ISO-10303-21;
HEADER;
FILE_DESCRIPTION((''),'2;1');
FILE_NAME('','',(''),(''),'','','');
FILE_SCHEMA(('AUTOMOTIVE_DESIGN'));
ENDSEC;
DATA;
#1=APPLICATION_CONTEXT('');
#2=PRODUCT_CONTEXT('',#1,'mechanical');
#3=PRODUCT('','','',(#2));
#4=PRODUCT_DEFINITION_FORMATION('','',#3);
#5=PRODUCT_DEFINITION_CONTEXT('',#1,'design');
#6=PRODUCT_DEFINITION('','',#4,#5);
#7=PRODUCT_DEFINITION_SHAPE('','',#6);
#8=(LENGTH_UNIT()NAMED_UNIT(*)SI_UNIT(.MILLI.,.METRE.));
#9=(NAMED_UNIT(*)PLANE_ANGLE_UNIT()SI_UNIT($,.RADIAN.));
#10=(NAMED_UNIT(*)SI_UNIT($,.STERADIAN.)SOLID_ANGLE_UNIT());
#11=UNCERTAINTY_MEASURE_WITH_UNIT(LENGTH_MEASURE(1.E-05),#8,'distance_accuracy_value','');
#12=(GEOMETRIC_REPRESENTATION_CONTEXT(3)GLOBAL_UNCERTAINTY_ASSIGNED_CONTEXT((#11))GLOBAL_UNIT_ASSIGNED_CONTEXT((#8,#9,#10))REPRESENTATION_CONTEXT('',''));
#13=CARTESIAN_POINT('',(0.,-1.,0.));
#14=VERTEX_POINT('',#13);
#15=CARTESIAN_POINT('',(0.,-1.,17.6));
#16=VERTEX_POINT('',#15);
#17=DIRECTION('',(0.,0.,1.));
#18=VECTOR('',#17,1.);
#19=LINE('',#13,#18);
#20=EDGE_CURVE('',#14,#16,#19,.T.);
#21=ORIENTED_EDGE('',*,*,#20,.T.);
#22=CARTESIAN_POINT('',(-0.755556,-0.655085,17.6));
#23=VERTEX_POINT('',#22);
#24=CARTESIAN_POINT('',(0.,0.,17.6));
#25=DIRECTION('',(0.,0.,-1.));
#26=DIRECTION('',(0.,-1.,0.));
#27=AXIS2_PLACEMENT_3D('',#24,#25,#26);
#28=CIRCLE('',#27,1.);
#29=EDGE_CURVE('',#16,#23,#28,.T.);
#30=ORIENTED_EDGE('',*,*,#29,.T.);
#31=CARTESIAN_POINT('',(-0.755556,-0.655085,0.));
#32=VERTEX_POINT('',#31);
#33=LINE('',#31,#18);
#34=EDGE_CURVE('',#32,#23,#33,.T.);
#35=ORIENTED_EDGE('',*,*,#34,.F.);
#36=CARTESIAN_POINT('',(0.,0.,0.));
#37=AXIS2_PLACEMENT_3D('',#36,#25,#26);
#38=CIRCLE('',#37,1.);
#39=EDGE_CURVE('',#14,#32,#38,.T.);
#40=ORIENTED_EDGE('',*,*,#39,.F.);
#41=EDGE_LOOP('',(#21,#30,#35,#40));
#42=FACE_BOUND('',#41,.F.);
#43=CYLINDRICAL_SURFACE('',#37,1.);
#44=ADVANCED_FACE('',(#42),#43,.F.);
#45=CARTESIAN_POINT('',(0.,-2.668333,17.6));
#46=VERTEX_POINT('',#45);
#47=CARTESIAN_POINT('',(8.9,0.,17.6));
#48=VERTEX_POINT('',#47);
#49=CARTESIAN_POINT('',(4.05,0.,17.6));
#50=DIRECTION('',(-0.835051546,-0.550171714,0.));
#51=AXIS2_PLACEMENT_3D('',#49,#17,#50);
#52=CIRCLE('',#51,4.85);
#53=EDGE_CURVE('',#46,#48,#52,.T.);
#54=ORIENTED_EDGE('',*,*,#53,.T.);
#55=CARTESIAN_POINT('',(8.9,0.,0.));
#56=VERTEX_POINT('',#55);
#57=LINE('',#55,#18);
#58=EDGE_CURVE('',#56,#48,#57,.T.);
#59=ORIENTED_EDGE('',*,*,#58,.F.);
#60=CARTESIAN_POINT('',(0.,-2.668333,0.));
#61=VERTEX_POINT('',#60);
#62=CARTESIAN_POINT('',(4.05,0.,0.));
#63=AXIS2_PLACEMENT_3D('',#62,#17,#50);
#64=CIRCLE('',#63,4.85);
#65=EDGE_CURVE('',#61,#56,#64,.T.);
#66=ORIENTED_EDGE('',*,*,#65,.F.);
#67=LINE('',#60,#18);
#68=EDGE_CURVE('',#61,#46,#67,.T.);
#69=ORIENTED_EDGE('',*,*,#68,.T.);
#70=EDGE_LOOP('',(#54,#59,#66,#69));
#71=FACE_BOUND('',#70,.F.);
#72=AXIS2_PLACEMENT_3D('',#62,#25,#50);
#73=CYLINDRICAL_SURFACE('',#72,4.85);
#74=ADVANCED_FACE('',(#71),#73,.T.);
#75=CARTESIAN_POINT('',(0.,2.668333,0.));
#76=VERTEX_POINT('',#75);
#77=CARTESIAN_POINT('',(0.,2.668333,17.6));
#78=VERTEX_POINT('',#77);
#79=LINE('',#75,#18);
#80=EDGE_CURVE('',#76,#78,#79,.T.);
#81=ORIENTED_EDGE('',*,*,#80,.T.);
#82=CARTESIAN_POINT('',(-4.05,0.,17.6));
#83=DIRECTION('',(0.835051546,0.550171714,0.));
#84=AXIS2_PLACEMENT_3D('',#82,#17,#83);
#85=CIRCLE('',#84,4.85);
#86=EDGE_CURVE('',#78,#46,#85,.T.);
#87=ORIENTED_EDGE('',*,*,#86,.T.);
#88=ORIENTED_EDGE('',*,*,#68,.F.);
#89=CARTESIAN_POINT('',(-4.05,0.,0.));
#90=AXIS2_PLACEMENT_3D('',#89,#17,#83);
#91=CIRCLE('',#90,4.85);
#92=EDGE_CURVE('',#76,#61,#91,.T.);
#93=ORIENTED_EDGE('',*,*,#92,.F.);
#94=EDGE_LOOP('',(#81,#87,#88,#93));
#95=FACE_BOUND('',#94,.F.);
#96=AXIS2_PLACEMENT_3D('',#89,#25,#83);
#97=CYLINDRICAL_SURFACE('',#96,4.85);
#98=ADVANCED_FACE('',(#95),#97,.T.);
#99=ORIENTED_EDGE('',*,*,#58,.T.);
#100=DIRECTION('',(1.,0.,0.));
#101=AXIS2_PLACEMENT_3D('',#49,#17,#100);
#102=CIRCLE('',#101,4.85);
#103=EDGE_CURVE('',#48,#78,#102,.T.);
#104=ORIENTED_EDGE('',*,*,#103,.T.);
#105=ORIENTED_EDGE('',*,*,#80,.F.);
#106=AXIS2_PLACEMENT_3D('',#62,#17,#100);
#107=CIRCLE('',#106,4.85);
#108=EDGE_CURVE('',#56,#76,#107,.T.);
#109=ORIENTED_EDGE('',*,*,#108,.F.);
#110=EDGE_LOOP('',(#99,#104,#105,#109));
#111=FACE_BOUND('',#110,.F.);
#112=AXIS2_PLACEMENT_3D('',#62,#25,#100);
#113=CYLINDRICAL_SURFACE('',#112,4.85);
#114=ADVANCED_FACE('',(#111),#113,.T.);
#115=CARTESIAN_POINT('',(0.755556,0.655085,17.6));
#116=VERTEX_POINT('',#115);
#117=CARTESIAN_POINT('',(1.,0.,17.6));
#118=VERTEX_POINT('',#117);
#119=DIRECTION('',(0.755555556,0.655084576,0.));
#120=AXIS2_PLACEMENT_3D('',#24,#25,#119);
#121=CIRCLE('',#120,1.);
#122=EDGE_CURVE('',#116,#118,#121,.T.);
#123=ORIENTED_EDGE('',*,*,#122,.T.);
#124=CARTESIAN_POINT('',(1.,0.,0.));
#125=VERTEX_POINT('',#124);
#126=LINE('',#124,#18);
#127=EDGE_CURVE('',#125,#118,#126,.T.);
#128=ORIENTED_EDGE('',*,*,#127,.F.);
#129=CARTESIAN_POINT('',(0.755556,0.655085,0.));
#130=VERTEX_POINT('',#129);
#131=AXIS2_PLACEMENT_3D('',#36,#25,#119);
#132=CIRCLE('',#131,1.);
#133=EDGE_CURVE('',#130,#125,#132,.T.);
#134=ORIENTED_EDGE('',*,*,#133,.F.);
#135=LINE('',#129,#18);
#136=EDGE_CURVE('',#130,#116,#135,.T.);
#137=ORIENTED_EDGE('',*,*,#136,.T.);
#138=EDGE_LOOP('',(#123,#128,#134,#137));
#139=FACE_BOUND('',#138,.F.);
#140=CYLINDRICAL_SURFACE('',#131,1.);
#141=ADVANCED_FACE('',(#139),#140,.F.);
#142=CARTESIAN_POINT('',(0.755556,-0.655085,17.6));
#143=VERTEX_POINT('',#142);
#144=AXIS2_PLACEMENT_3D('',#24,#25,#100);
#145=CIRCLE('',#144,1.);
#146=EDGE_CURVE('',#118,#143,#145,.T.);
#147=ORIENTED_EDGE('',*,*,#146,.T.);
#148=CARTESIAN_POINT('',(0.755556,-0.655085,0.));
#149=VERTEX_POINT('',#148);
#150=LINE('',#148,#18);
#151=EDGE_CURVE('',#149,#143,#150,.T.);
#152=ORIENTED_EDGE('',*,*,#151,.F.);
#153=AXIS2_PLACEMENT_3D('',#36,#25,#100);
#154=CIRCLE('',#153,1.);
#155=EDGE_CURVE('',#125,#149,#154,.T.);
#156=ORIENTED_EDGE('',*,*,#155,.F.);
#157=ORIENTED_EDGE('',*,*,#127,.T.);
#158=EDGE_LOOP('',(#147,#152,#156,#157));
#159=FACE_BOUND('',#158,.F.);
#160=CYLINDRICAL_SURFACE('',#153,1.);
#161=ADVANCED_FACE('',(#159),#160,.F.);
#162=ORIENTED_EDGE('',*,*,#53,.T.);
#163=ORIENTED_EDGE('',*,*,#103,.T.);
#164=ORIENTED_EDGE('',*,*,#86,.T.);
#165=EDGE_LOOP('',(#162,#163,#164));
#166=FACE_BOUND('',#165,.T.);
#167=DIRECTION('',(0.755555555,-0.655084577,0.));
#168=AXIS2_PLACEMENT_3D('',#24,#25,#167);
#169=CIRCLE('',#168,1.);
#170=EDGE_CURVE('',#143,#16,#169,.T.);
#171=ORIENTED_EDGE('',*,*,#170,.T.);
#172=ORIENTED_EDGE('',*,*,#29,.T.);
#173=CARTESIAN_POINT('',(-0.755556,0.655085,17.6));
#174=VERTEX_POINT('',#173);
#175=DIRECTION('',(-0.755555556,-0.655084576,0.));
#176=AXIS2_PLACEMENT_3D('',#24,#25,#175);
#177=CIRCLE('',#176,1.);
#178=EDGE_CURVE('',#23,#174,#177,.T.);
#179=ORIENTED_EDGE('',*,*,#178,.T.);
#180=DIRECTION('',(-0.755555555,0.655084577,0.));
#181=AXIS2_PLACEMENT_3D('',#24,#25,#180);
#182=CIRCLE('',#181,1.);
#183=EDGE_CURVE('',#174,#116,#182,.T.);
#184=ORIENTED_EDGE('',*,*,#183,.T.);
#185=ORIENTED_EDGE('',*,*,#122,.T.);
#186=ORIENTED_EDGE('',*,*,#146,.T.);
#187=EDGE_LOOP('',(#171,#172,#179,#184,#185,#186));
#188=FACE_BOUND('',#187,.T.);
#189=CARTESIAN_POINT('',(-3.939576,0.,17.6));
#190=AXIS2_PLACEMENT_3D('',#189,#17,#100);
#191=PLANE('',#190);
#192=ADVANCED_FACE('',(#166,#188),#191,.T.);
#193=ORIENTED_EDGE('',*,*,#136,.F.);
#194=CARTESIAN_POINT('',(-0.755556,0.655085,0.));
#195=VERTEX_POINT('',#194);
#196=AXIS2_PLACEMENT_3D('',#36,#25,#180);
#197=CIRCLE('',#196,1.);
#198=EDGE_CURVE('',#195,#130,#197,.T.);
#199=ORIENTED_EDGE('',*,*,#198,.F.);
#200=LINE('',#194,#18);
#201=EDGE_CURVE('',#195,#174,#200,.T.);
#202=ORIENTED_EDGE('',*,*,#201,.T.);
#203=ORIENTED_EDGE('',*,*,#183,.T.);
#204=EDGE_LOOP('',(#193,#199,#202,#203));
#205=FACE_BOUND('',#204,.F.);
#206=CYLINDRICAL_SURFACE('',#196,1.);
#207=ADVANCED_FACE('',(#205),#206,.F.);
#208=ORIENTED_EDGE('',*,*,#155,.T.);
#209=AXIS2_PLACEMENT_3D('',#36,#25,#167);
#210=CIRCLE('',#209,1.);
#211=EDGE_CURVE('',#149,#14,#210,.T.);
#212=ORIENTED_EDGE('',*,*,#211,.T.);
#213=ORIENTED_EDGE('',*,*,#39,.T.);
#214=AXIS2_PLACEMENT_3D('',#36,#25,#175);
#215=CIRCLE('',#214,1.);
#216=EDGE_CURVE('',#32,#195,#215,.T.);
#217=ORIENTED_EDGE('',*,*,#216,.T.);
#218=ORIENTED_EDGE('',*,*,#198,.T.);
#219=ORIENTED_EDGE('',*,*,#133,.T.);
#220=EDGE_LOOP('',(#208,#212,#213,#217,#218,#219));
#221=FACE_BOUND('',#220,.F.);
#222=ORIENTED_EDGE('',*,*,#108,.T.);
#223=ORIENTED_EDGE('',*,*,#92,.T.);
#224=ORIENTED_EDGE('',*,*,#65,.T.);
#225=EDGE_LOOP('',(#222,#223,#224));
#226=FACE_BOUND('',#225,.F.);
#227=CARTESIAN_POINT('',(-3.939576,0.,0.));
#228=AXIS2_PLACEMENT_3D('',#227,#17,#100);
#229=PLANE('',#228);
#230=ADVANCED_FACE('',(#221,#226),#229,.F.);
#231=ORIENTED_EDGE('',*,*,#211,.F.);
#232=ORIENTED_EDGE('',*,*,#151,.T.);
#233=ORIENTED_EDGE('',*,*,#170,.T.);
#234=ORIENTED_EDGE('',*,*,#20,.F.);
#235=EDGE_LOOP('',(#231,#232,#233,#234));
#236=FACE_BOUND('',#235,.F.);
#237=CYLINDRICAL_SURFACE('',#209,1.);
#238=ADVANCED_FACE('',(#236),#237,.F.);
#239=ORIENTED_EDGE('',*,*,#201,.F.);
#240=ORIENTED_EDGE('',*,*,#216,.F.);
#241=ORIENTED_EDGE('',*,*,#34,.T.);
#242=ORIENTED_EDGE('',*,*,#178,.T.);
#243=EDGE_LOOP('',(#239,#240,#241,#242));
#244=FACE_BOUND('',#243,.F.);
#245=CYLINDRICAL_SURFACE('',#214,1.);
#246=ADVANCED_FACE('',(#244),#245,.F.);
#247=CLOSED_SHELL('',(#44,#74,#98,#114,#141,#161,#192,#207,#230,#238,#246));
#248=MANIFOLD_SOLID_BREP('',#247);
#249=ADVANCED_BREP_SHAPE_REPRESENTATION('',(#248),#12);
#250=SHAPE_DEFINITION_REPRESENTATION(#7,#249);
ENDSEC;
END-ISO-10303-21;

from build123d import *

# Parameters (mm, degrees)
F1_DEPTH = 17.6


with BuildPart() as f1:
    # F0 (on Top) → F1 (new body)
    with BuildSketch(Plane.XY):
        with BuildLine():
            ThreePointArc((0, 2.6683328128), (-8.9, 0), (0, -2.6683328128))
            ThreePointArc((0, -2.6683328128), (-0.4907607473, -1.7041102768), (-0.7555555556, -0.6550845766))
            ThreePointArc((-0.7555555556, -0.6550845766), (-1, 0), (-0.7555555556, 0.6550845766))
            ThreePointArc((-0.7555555556, 0.6550845766), (-0.4907607473, 1.7041102768), (0, 2.6683328128))
        make_face()
        with BuildLine():
            ThreePointArc((0.7555555556, 0.6550845766), (0.9368979548, 0.3496029494), (1, 0))
            ThreePointArc((1, 0), (0.9368979548, -0.3496029494), (0.7555555556, -0.6550845766))
            ThreePointArc((0.7555555556, -0.6550845766), (0.4907607473, -1.7041102768), (0, -2.6683328128))
            ThreePointArc((0, -2.6683328128), (5.4428388277, -4.6456969337), (8.9, 0))
            ThreePointArc((8.9, 0), (5.4428388277, 4.6456969337), (0, 2.6683328128))
            ThreePointArc((0, 2.6683328128), (0.4907607473, 1.7041102768), (0.7555555556, 0.6550845766))
        make_face()
        with BuildLine():
            ThreePointArc((0.7555555556, -0.6550845766), (0.4152802809, -0.9096935134), (0, -1))
            Line((0, -1), (0, -2.6683328128))
            ThreePointArc((0, -2.6683328128), (0.4907607473, -1.7041102768), (0.7555555556, -0.6550845766))
        make_face()
        with BuildLine():
            Line((0, -2.6683328128), (0, -1))
            ThreePointArc((0, -1), (-0.4152802809, -0.9096935134), (-0.7555555556, -0.6550845766))
            ThreePointArc((-0.7555555556, -0.6550845766), (-0.4907607473, -1.7041102768), (0, -2.6683328128))
        make_face()
        with BuildLine():
            ThreePointArc((-0.7555555556, 0.6550845766), (0, 1), (0.7555555556, 0.6550845766))
            ThreePointArc((0.7555555556, 0.6550845766), (0.4907607473, 1.7041102768), (0, 2.6683328128))
            ThreePointArc((0, 2.6683328128), (-0.4907607473, 1.7041102768), (-0.7555555556, 0.6550845766))
        make_face()
    extrude(amount=F1_DEPTH)


solid = f1.part
